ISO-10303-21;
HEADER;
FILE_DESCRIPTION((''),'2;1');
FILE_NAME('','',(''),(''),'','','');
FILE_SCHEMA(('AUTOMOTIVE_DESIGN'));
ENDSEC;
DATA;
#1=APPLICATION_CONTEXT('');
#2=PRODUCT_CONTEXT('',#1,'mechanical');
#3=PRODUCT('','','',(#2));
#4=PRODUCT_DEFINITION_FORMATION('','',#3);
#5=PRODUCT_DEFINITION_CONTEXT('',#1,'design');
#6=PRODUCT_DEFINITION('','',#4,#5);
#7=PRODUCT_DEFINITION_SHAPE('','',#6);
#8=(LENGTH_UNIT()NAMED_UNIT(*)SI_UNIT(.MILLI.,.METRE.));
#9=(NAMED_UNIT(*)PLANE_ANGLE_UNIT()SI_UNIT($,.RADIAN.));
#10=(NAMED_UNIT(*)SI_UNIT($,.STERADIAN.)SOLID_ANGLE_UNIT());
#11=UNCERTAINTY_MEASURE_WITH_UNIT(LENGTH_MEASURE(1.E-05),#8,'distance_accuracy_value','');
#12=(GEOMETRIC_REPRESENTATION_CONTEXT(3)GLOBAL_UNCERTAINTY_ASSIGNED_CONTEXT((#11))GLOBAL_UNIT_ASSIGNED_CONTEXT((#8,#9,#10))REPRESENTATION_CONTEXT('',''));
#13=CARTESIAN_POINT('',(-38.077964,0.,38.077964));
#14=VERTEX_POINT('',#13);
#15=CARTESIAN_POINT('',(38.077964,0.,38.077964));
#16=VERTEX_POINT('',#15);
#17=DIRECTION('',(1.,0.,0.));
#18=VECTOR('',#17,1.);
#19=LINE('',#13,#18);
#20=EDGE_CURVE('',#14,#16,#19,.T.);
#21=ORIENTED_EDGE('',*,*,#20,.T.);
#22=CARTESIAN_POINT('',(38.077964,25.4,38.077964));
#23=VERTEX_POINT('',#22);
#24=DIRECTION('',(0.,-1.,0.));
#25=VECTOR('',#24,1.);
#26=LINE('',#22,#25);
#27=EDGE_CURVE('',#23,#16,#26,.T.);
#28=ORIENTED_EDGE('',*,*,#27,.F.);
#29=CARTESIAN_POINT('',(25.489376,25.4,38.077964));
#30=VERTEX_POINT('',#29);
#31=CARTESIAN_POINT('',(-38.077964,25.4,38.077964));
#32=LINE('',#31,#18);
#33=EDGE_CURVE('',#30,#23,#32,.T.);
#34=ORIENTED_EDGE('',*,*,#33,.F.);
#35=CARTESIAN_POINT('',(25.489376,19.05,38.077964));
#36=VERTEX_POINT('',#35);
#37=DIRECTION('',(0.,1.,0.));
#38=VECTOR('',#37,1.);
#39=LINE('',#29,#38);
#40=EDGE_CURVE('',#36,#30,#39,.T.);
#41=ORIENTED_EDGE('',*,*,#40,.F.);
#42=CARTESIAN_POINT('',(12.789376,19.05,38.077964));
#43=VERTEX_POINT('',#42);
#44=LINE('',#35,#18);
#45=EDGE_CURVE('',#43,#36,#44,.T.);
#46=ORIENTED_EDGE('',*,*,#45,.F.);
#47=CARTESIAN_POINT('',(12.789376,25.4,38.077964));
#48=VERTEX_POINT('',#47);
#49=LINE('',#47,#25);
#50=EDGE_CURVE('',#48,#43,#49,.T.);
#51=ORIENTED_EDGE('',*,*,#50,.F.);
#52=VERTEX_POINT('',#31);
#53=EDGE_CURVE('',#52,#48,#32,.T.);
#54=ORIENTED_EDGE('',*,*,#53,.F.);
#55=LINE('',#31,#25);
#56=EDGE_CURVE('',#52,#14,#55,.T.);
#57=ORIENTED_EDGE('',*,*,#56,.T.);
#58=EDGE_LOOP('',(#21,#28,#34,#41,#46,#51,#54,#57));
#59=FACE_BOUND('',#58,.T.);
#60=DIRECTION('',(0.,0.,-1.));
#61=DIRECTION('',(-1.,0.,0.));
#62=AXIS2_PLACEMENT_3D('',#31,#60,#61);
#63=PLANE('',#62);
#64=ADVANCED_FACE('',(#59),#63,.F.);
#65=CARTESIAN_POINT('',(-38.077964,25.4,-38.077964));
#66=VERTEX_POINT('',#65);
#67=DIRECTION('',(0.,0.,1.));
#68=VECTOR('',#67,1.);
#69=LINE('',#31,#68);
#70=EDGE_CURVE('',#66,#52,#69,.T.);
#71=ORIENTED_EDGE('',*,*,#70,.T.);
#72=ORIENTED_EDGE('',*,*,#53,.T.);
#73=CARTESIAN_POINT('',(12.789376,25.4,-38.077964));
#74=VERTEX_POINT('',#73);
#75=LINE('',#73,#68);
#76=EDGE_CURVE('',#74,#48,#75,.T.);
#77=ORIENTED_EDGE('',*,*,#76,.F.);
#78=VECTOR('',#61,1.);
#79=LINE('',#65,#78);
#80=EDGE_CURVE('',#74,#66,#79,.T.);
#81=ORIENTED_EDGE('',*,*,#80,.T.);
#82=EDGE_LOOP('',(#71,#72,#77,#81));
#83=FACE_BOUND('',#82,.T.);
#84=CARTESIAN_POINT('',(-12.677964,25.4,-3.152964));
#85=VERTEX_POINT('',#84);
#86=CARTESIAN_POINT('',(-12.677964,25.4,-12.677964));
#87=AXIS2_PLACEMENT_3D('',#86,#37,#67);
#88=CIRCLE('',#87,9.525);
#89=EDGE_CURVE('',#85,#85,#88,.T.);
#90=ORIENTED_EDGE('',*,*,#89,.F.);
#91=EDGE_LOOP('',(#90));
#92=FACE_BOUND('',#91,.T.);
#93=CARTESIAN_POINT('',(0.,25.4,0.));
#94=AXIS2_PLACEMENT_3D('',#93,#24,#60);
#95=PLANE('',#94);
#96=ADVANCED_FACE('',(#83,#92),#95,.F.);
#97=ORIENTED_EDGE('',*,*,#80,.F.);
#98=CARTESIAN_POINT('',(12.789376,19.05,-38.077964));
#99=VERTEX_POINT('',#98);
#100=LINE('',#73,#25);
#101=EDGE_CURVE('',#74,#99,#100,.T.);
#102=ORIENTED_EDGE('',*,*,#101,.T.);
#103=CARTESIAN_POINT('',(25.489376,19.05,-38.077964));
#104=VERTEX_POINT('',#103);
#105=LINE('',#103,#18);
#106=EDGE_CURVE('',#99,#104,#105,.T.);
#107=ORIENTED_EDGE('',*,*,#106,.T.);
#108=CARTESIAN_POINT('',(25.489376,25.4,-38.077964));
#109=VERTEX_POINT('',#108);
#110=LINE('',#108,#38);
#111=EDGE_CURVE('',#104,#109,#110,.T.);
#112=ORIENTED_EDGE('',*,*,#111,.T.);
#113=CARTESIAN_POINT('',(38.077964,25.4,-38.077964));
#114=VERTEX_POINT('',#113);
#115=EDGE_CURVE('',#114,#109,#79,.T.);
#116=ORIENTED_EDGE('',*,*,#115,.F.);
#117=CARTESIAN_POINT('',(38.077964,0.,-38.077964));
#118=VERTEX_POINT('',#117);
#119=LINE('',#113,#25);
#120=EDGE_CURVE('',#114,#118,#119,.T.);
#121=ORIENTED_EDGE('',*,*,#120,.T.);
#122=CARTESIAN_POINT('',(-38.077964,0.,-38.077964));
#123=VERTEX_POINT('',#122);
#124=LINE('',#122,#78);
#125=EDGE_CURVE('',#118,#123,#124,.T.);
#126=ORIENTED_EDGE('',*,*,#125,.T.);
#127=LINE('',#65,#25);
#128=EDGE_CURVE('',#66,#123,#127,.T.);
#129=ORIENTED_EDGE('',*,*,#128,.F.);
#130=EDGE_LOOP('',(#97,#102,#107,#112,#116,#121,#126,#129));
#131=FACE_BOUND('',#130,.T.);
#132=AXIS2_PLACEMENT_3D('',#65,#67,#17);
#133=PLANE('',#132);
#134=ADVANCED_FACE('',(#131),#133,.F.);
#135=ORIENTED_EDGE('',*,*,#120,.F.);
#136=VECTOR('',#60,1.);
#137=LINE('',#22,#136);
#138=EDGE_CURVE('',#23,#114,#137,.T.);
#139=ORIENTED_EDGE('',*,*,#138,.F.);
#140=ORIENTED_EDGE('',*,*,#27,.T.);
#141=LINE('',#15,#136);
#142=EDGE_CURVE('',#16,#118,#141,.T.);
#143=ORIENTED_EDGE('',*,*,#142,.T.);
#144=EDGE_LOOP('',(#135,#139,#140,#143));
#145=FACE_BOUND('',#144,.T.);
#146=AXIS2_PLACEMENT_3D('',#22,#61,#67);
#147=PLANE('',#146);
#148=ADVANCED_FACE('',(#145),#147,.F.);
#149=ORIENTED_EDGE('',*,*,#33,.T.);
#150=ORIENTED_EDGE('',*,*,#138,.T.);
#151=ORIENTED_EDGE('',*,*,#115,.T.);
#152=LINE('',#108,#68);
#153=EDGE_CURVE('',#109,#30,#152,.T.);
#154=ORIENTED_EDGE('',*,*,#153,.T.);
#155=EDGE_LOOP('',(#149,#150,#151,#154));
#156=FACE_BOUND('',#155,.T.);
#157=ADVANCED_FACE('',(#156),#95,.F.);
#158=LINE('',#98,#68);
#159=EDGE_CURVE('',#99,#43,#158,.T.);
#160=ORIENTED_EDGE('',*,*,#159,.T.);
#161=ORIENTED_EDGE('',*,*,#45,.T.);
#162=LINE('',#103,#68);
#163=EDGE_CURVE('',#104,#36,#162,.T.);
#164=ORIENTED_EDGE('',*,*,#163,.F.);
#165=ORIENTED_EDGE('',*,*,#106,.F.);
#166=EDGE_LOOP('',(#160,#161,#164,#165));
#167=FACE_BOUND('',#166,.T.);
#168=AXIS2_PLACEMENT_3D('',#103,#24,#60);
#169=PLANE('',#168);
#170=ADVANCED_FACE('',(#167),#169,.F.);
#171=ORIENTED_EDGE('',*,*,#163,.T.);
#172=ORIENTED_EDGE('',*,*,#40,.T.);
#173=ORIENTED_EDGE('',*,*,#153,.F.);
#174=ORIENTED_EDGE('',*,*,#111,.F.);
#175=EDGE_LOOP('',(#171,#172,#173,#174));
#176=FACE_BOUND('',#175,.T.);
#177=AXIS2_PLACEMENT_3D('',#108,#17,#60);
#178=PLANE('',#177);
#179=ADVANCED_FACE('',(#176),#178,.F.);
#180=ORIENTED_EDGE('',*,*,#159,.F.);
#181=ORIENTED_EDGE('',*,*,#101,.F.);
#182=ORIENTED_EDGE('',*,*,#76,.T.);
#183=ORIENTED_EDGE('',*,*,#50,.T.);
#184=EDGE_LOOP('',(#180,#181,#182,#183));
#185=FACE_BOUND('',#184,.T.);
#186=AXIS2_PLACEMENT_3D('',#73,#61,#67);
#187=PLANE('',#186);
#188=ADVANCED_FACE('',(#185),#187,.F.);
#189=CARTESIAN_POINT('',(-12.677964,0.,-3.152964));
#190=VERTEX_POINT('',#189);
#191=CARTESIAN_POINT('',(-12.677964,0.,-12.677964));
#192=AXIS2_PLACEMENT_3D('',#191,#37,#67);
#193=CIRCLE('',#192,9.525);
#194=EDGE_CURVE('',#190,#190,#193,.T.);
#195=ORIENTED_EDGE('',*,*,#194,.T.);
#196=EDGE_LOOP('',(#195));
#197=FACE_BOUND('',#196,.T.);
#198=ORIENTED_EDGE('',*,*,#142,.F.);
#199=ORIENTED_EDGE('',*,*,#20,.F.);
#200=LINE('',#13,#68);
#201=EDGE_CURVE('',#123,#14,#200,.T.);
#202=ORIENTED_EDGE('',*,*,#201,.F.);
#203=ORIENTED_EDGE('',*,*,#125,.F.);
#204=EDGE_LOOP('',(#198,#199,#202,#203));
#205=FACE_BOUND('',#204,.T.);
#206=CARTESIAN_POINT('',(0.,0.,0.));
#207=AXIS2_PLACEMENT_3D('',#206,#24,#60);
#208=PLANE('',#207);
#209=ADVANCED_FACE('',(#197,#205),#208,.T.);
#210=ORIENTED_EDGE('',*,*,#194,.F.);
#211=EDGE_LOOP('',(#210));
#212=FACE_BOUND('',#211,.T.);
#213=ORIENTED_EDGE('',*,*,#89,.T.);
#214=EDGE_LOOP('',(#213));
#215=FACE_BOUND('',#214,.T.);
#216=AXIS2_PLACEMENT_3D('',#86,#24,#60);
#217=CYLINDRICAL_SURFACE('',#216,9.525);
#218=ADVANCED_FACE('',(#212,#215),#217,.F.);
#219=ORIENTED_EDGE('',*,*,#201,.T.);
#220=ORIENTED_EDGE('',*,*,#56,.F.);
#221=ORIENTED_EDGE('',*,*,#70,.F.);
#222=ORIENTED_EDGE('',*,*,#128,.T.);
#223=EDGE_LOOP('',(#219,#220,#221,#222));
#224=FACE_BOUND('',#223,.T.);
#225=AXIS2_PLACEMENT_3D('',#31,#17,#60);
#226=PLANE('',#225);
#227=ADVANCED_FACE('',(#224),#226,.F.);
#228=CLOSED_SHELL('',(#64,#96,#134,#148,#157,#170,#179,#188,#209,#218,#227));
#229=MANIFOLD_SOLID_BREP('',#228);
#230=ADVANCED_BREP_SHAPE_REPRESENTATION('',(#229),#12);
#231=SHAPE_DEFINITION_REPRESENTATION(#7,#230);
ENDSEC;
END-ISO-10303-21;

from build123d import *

# Parameters (mm, degrees)
SKETCH1_W           = 76.155927022
SKETCH1_H           = 76.155927022
SKETCH1_R           = 9.525
BOSS_EXTRUDE1_DEPTH = 25.4
SKETCH2_W           = 12.7
SKETCH2_H           = 6.35
CUT_EXTRUDE1_DEPTH  = 89.852780068


with BuildPart() as part:
    # Sketch1 → Boss-Extrude1 (new body)
    with BuildSketch(Plane(origin=(0, 0, 0), x_dir=(1, 0, 0), z_dir=(0, 1, 0))):
        Rectangle(SKETCH1_W, SKETCH1_H)
        with Locations(Location((-12.677963511, 12.677963511, 0), (0, 0, 270))):
            Circle(SKETCH1_R, mode=Mode.SUBTRACT)
    extrude(amount=BOSS_EXTRUDE1_DEPTH)

    # Sketch2 → Cut-Extrude1 (cut, through all)
    with BuildSketch(Plane.XY.offset(38.077963511)):
        with Locations((19.139376005, 22.225)):
            Rectangle(SKETCH2_W, SKETCH2_H)
    extrude(amount=-CUT_EXTRUDE1_DEPTH, mode=Mode.SUBTRACT)


solid = part.part
